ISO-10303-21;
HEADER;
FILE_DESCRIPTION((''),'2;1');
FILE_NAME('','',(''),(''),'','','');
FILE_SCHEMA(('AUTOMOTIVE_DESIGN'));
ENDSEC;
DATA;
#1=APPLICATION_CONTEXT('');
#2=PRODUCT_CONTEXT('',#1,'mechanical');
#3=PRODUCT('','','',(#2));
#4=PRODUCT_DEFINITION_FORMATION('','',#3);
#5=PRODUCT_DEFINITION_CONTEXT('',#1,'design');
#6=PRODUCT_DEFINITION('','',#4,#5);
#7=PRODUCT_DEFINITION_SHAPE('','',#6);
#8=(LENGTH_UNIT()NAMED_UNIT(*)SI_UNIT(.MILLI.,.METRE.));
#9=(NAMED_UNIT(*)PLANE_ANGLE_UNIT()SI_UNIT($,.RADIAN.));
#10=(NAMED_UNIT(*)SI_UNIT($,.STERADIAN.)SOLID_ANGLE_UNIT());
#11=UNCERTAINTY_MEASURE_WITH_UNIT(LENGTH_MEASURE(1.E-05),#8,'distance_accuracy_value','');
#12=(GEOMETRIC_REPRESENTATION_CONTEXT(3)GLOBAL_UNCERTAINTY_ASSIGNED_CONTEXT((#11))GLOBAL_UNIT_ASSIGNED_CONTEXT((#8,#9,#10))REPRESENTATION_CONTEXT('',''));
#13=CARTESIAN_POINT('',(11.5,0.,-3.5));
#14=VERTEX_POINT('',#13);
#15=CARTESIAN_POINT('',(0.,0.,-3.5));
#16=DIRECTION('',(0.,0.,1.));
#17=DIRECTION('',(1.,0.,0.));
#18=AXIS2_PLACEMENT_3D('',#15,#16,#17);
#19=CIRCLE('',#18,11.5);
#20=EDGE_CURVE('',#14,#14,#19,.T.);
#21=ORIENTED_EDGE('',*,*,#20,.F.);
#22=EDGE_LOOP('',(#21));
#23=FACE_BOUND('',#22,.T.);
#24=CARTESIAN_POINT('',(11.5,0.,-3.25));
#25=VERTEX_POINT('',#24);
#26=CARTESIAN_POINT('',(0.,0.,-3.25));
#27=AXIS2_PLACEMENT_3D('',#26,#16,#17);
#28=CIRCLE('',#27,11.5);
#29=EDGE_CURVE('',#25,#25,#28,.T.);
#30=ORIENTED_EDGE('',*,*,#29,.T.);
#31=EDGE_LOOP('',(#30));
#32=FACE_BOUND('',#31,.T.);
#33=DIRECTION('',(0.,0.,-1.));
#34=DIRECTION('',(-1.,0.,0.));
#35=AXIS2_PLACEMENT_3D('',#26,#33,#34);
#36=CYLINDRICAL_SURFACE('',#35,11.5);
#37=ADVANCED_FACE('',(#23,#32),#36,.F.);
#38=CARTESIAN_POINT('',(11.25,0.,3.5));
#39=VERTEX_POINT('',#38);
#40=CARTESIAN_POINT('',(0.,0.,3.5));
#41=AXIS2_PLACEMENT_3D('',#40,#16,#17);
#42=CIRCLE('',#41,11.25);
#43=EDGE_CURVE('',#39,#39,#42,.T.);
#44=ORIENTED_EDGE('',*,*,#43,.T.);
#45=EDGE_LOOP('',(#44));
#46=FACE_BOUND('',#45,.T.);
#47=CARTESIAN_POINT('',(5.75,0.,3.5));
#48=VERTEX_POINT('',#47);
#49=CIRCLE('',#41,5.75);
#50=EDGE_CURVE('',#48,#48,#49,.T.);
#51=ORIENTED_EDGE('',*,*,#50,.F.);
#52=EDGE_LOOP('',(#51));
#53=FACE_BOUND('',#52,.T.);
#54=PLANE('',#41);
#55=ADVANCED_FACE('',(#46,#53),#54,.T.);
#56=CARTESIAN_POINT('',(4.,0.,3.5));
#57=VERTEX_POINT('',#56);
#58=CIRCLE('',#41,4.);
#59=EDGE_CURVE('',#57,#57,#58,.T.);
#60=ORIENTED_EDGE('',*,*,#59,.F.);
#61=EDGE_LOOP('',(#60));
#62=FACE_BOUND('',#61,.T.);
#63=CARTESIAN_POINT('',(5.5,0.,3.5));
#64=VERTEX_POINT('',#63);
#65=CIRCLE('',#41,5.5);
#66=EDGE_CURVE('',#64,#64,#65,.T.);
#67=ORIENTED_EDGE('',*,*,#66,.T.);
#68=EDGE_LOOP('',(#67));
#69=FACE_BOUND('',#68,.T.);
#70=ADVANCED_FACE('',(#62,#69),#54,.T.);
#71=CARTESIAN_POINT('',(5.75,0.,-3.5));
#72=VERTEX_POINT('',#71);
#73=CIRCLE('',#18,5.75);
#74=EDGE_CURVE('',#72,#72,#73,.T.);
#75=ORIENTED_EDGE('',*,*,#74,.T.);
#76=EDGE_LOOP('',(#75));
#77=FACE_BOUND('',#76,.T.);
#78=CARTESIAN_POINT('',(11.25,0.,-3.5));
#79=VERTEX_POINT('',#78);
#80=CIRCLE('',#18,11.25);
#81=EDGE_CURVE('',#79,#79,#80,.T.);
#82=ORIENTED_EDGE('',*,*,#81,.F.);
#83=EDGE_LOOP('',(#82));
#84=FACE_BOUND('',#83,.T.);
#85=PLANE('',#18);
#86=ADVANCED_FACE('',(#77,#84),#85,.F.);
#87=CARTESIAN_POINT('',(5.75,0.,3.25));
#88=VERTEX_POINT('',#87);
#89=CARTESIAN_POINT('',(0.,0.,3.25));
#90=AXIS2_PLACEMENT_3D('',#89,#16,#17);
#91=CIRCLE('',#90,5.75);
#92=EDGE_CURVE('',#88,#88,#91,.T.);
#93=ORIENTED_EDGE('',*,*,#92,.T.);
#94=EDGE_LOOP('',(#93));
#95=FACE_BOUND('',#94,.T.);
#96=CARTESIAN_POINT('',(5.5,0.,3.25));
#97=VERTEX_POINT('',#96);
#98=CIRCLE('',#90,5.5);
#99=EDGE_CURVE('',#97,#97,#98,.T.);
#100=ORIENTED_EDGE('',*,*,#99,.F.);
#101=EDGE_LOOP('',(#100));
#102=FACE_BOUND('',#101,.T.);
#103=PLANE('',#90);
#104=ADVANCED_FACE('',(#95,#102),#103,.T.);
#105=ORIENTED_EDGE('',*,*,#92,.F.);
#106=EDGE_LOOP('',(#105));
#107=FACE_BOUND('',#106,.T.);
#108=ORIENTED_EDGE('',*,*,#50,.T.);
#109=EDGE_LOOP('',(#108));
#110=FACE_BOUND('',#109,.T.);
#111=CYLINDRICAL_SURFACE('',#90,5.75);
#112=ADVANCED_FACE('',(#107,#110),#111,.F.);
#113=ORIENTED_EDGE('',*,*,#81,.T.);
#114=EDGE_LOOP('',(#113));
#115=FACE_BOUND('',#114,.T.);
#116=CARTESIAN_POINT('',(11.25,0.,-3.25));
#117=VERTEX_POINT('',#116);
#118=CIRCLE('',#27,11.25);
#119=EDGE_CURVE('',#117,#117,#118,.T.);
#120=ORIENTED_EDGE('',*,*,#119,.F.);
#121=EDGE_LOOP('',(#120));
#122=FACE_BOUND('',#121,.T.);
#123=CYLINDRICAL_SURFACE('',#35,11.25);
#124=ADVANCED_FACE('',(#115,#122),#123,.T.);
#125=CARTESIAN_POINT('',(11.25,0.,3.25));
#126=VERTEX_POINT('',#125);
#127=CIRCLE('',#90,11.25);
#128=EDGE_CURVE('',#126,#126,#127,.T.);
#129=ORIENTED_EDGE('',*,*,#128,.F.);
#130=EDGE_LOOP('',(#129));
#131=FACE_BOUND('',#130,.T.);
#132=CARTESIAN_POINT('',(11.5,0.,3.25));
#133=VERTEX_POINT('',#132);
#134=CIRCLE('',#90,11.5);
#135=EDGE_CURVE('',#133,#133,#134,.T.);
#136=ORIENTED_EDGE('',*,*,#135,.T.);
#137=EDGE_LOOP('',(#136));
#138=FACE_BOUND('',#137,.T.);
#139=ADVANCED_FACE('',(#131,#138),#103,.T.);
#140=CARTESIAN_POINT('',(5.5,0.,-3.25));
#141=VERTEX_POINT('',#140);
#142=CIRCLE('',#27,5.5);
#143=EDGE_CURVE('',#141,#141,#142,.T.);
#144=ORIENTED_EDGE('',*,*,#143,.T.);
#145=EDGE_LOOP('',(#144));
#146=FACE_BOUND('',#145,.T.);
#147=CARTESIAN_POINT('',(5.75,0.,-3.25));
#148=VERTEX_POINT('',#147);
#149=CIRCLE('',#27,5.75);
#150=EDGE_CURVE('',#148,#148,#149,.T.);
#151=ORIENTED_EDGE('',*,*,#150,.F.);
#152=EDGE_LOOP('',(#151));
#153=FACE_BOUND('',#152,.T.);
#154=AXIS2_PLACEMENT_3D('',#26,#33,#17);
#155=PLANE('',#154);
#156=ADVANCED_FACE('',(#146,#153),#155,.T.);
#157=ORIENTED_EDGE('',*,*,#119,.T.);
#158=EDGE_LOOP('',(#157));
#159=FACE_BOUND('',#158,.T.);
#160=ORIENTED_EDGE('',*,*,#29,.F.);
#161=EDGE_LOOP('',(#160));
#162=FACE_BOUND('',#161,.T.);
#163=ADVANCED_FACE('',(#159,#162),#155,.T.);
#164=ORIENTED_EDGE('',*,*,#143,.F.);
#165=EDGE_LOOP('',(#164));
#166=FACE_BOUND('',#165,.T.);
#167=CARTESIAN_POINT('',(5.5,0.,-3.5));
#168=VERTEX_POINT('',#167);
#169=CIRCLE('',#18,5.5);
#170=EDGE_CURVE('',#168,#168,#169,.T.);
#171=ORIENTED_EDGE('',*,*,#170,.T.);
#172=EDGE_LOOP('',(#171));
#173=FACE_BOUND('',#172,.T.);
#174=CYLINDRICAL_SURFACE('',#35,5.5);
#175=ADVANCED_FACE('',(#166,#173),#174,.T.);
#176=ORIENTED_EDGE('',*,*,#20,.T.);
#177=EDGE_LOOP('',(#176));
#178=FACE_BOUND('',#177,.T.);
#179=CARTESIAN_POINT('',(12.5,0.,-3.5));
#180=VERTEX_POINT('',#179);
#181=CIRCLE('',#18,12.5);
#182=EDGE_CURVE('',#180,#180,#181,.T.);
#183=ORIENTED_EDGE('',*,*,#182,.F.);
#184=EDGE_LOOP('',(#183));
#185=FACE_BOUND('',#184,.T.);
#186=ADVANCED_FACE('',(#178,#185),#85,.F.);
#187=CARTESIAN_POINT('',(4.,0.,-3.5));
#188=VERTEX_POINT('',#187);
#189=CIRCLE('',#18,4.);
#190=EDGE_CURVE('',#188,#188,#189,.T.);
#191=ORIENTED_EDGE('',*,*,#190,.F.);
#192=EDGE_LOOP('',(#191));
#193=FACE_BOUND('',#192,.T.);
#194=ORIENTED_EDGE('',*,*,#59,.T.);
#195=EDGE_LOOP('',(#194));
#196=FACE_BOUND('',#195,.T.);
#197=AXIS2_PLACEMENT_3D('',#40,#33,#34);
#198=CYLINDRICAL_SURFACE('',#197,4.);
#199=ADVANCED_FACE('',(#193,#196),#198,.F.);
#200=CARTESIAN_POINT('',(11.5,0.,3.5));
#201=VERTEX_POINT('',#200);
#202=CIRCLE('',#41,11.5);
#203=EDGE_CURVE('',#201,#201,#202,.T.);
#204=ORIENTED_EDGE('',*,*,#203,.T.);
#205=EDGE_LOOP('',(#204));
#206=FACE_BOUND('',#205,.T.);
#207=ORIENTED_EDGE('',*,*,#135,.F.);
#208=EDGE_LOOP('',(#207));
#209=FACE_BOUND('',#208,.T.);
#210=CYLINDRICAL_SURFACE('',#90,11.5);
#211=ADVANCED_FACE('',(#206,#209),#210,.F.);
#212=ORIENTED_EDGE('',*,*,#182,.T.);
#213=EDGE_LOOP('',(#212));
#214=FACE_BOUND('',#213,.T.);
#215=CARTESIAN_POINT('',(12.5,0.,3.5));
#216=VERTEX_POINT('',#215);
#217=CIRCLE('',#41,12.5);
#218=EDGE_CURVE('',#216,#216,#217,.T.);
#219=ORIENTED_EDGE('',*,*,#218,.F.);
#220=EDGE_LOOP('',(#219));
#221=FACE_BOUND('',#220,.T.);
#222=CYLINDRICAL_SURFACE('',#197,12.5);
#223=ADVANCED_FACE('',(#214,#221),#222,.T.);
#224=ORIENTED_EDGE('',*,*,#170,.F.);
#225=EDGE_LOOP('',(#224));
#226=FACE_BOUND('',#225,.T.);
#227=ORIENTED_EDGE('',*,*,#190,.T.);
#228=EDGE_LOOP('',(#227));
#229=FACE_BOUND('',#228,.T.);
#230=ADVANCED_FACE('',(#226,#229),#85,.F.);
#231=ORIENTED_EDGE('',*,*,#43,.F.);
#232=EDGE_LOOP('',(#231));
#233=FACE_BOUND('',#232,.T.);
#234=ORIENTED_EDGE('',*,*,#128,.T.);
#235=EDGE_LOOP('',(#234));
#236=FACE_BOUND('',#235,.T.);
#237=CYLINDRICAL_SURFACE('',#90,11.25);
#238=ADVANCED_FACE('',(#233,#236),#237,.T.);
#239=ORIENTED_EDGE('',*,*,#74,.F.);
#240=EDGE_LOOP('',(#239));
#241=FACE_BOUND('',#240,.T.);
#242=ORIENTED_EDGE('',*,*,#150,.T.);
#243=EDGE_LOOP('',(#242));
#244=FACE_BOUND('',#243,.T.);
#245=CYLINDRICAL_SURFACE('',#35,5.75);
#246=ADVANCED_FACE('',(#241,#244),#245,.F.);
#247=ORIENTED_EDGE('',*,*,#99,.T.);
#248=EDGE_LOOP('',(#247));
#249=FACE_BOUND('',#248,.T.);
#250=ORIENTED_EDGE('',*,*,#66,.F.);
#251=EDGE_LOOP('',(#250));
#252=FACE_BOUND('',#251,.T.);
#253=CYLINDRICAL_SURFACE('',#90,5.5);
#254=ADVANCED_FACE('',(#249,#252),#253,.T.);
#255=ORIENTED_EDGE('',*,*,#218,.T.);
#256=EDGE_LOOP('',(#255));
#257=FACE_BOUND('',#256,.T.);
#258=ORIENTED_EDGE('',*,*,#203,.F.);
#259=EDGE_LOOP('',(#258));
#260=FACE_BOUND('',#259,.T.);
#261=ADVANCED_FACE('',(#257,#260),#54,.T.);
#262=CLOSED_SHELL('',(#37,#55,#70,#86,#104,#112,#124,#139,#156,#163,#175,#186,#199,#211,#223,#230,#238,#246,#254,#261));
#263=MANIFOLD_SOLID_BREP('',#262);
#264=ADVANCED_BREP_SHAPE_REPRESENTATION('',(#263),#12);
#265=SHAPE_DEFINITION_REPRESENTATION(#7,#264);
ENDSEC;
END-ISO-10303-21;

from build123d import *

# Parameters (mm, degrees)
ESBO_O1_R                = 12.5
ESBO_O1_R_2              = 4
RESSALTO_EXTRUS_O1_DEPTH = 3.5
ESBO_O2_R                = 11.5
ESBO_O2_R_2              = 11.25
ESBO_O2_R_3              = 5.75
ESBO_O2_R_4              = 5.5
CORTE_EXTRUS_O1_DEPTH    = 0.25


with BuildPart() as part:
    # Esboço1 → Ressalto-extrusão1 (new, symmetric)
    with BuildSketch(Plane.XY):
        Circle(ESBO_O1_R)
        Circle(ESBO_O1_R_2, mode=Mode.SUBTRACT)
    extrude(amount=RESSALTO_EXTRUS_O1_DEPTH, both=True)

    # Esboço2 → Corte-extrusão1 (cut)
    # profile 1 of 2: a face of its own
    with BuildSketch(Plane.XY.offset(3.5)):
        Circle(ESBO_O2_R)
        Circle(ESBO_O2_R_2, mode=Mode.SUBTRACT)
    # profile 2 of 2: a face of its own
    with BuildSketch(Plane.XY.offset(3.5)):
        Circle(ESBO_O2_R_3)
        Circle(ESBO_O2_R_4, mode=Mode.SUBTRACT)
    corte_extrus_o1 = extrude(amount=-CORTE_EXTRUS_O1_DEPTH, mode=Mode.SUBTRACT)

    # Espelhar1: Corte-extrusão1 across plane
    add(corte_extrus_o1.mirror(Plane.XY), mode=Mode.SUBTRACT)


solid = part.part
